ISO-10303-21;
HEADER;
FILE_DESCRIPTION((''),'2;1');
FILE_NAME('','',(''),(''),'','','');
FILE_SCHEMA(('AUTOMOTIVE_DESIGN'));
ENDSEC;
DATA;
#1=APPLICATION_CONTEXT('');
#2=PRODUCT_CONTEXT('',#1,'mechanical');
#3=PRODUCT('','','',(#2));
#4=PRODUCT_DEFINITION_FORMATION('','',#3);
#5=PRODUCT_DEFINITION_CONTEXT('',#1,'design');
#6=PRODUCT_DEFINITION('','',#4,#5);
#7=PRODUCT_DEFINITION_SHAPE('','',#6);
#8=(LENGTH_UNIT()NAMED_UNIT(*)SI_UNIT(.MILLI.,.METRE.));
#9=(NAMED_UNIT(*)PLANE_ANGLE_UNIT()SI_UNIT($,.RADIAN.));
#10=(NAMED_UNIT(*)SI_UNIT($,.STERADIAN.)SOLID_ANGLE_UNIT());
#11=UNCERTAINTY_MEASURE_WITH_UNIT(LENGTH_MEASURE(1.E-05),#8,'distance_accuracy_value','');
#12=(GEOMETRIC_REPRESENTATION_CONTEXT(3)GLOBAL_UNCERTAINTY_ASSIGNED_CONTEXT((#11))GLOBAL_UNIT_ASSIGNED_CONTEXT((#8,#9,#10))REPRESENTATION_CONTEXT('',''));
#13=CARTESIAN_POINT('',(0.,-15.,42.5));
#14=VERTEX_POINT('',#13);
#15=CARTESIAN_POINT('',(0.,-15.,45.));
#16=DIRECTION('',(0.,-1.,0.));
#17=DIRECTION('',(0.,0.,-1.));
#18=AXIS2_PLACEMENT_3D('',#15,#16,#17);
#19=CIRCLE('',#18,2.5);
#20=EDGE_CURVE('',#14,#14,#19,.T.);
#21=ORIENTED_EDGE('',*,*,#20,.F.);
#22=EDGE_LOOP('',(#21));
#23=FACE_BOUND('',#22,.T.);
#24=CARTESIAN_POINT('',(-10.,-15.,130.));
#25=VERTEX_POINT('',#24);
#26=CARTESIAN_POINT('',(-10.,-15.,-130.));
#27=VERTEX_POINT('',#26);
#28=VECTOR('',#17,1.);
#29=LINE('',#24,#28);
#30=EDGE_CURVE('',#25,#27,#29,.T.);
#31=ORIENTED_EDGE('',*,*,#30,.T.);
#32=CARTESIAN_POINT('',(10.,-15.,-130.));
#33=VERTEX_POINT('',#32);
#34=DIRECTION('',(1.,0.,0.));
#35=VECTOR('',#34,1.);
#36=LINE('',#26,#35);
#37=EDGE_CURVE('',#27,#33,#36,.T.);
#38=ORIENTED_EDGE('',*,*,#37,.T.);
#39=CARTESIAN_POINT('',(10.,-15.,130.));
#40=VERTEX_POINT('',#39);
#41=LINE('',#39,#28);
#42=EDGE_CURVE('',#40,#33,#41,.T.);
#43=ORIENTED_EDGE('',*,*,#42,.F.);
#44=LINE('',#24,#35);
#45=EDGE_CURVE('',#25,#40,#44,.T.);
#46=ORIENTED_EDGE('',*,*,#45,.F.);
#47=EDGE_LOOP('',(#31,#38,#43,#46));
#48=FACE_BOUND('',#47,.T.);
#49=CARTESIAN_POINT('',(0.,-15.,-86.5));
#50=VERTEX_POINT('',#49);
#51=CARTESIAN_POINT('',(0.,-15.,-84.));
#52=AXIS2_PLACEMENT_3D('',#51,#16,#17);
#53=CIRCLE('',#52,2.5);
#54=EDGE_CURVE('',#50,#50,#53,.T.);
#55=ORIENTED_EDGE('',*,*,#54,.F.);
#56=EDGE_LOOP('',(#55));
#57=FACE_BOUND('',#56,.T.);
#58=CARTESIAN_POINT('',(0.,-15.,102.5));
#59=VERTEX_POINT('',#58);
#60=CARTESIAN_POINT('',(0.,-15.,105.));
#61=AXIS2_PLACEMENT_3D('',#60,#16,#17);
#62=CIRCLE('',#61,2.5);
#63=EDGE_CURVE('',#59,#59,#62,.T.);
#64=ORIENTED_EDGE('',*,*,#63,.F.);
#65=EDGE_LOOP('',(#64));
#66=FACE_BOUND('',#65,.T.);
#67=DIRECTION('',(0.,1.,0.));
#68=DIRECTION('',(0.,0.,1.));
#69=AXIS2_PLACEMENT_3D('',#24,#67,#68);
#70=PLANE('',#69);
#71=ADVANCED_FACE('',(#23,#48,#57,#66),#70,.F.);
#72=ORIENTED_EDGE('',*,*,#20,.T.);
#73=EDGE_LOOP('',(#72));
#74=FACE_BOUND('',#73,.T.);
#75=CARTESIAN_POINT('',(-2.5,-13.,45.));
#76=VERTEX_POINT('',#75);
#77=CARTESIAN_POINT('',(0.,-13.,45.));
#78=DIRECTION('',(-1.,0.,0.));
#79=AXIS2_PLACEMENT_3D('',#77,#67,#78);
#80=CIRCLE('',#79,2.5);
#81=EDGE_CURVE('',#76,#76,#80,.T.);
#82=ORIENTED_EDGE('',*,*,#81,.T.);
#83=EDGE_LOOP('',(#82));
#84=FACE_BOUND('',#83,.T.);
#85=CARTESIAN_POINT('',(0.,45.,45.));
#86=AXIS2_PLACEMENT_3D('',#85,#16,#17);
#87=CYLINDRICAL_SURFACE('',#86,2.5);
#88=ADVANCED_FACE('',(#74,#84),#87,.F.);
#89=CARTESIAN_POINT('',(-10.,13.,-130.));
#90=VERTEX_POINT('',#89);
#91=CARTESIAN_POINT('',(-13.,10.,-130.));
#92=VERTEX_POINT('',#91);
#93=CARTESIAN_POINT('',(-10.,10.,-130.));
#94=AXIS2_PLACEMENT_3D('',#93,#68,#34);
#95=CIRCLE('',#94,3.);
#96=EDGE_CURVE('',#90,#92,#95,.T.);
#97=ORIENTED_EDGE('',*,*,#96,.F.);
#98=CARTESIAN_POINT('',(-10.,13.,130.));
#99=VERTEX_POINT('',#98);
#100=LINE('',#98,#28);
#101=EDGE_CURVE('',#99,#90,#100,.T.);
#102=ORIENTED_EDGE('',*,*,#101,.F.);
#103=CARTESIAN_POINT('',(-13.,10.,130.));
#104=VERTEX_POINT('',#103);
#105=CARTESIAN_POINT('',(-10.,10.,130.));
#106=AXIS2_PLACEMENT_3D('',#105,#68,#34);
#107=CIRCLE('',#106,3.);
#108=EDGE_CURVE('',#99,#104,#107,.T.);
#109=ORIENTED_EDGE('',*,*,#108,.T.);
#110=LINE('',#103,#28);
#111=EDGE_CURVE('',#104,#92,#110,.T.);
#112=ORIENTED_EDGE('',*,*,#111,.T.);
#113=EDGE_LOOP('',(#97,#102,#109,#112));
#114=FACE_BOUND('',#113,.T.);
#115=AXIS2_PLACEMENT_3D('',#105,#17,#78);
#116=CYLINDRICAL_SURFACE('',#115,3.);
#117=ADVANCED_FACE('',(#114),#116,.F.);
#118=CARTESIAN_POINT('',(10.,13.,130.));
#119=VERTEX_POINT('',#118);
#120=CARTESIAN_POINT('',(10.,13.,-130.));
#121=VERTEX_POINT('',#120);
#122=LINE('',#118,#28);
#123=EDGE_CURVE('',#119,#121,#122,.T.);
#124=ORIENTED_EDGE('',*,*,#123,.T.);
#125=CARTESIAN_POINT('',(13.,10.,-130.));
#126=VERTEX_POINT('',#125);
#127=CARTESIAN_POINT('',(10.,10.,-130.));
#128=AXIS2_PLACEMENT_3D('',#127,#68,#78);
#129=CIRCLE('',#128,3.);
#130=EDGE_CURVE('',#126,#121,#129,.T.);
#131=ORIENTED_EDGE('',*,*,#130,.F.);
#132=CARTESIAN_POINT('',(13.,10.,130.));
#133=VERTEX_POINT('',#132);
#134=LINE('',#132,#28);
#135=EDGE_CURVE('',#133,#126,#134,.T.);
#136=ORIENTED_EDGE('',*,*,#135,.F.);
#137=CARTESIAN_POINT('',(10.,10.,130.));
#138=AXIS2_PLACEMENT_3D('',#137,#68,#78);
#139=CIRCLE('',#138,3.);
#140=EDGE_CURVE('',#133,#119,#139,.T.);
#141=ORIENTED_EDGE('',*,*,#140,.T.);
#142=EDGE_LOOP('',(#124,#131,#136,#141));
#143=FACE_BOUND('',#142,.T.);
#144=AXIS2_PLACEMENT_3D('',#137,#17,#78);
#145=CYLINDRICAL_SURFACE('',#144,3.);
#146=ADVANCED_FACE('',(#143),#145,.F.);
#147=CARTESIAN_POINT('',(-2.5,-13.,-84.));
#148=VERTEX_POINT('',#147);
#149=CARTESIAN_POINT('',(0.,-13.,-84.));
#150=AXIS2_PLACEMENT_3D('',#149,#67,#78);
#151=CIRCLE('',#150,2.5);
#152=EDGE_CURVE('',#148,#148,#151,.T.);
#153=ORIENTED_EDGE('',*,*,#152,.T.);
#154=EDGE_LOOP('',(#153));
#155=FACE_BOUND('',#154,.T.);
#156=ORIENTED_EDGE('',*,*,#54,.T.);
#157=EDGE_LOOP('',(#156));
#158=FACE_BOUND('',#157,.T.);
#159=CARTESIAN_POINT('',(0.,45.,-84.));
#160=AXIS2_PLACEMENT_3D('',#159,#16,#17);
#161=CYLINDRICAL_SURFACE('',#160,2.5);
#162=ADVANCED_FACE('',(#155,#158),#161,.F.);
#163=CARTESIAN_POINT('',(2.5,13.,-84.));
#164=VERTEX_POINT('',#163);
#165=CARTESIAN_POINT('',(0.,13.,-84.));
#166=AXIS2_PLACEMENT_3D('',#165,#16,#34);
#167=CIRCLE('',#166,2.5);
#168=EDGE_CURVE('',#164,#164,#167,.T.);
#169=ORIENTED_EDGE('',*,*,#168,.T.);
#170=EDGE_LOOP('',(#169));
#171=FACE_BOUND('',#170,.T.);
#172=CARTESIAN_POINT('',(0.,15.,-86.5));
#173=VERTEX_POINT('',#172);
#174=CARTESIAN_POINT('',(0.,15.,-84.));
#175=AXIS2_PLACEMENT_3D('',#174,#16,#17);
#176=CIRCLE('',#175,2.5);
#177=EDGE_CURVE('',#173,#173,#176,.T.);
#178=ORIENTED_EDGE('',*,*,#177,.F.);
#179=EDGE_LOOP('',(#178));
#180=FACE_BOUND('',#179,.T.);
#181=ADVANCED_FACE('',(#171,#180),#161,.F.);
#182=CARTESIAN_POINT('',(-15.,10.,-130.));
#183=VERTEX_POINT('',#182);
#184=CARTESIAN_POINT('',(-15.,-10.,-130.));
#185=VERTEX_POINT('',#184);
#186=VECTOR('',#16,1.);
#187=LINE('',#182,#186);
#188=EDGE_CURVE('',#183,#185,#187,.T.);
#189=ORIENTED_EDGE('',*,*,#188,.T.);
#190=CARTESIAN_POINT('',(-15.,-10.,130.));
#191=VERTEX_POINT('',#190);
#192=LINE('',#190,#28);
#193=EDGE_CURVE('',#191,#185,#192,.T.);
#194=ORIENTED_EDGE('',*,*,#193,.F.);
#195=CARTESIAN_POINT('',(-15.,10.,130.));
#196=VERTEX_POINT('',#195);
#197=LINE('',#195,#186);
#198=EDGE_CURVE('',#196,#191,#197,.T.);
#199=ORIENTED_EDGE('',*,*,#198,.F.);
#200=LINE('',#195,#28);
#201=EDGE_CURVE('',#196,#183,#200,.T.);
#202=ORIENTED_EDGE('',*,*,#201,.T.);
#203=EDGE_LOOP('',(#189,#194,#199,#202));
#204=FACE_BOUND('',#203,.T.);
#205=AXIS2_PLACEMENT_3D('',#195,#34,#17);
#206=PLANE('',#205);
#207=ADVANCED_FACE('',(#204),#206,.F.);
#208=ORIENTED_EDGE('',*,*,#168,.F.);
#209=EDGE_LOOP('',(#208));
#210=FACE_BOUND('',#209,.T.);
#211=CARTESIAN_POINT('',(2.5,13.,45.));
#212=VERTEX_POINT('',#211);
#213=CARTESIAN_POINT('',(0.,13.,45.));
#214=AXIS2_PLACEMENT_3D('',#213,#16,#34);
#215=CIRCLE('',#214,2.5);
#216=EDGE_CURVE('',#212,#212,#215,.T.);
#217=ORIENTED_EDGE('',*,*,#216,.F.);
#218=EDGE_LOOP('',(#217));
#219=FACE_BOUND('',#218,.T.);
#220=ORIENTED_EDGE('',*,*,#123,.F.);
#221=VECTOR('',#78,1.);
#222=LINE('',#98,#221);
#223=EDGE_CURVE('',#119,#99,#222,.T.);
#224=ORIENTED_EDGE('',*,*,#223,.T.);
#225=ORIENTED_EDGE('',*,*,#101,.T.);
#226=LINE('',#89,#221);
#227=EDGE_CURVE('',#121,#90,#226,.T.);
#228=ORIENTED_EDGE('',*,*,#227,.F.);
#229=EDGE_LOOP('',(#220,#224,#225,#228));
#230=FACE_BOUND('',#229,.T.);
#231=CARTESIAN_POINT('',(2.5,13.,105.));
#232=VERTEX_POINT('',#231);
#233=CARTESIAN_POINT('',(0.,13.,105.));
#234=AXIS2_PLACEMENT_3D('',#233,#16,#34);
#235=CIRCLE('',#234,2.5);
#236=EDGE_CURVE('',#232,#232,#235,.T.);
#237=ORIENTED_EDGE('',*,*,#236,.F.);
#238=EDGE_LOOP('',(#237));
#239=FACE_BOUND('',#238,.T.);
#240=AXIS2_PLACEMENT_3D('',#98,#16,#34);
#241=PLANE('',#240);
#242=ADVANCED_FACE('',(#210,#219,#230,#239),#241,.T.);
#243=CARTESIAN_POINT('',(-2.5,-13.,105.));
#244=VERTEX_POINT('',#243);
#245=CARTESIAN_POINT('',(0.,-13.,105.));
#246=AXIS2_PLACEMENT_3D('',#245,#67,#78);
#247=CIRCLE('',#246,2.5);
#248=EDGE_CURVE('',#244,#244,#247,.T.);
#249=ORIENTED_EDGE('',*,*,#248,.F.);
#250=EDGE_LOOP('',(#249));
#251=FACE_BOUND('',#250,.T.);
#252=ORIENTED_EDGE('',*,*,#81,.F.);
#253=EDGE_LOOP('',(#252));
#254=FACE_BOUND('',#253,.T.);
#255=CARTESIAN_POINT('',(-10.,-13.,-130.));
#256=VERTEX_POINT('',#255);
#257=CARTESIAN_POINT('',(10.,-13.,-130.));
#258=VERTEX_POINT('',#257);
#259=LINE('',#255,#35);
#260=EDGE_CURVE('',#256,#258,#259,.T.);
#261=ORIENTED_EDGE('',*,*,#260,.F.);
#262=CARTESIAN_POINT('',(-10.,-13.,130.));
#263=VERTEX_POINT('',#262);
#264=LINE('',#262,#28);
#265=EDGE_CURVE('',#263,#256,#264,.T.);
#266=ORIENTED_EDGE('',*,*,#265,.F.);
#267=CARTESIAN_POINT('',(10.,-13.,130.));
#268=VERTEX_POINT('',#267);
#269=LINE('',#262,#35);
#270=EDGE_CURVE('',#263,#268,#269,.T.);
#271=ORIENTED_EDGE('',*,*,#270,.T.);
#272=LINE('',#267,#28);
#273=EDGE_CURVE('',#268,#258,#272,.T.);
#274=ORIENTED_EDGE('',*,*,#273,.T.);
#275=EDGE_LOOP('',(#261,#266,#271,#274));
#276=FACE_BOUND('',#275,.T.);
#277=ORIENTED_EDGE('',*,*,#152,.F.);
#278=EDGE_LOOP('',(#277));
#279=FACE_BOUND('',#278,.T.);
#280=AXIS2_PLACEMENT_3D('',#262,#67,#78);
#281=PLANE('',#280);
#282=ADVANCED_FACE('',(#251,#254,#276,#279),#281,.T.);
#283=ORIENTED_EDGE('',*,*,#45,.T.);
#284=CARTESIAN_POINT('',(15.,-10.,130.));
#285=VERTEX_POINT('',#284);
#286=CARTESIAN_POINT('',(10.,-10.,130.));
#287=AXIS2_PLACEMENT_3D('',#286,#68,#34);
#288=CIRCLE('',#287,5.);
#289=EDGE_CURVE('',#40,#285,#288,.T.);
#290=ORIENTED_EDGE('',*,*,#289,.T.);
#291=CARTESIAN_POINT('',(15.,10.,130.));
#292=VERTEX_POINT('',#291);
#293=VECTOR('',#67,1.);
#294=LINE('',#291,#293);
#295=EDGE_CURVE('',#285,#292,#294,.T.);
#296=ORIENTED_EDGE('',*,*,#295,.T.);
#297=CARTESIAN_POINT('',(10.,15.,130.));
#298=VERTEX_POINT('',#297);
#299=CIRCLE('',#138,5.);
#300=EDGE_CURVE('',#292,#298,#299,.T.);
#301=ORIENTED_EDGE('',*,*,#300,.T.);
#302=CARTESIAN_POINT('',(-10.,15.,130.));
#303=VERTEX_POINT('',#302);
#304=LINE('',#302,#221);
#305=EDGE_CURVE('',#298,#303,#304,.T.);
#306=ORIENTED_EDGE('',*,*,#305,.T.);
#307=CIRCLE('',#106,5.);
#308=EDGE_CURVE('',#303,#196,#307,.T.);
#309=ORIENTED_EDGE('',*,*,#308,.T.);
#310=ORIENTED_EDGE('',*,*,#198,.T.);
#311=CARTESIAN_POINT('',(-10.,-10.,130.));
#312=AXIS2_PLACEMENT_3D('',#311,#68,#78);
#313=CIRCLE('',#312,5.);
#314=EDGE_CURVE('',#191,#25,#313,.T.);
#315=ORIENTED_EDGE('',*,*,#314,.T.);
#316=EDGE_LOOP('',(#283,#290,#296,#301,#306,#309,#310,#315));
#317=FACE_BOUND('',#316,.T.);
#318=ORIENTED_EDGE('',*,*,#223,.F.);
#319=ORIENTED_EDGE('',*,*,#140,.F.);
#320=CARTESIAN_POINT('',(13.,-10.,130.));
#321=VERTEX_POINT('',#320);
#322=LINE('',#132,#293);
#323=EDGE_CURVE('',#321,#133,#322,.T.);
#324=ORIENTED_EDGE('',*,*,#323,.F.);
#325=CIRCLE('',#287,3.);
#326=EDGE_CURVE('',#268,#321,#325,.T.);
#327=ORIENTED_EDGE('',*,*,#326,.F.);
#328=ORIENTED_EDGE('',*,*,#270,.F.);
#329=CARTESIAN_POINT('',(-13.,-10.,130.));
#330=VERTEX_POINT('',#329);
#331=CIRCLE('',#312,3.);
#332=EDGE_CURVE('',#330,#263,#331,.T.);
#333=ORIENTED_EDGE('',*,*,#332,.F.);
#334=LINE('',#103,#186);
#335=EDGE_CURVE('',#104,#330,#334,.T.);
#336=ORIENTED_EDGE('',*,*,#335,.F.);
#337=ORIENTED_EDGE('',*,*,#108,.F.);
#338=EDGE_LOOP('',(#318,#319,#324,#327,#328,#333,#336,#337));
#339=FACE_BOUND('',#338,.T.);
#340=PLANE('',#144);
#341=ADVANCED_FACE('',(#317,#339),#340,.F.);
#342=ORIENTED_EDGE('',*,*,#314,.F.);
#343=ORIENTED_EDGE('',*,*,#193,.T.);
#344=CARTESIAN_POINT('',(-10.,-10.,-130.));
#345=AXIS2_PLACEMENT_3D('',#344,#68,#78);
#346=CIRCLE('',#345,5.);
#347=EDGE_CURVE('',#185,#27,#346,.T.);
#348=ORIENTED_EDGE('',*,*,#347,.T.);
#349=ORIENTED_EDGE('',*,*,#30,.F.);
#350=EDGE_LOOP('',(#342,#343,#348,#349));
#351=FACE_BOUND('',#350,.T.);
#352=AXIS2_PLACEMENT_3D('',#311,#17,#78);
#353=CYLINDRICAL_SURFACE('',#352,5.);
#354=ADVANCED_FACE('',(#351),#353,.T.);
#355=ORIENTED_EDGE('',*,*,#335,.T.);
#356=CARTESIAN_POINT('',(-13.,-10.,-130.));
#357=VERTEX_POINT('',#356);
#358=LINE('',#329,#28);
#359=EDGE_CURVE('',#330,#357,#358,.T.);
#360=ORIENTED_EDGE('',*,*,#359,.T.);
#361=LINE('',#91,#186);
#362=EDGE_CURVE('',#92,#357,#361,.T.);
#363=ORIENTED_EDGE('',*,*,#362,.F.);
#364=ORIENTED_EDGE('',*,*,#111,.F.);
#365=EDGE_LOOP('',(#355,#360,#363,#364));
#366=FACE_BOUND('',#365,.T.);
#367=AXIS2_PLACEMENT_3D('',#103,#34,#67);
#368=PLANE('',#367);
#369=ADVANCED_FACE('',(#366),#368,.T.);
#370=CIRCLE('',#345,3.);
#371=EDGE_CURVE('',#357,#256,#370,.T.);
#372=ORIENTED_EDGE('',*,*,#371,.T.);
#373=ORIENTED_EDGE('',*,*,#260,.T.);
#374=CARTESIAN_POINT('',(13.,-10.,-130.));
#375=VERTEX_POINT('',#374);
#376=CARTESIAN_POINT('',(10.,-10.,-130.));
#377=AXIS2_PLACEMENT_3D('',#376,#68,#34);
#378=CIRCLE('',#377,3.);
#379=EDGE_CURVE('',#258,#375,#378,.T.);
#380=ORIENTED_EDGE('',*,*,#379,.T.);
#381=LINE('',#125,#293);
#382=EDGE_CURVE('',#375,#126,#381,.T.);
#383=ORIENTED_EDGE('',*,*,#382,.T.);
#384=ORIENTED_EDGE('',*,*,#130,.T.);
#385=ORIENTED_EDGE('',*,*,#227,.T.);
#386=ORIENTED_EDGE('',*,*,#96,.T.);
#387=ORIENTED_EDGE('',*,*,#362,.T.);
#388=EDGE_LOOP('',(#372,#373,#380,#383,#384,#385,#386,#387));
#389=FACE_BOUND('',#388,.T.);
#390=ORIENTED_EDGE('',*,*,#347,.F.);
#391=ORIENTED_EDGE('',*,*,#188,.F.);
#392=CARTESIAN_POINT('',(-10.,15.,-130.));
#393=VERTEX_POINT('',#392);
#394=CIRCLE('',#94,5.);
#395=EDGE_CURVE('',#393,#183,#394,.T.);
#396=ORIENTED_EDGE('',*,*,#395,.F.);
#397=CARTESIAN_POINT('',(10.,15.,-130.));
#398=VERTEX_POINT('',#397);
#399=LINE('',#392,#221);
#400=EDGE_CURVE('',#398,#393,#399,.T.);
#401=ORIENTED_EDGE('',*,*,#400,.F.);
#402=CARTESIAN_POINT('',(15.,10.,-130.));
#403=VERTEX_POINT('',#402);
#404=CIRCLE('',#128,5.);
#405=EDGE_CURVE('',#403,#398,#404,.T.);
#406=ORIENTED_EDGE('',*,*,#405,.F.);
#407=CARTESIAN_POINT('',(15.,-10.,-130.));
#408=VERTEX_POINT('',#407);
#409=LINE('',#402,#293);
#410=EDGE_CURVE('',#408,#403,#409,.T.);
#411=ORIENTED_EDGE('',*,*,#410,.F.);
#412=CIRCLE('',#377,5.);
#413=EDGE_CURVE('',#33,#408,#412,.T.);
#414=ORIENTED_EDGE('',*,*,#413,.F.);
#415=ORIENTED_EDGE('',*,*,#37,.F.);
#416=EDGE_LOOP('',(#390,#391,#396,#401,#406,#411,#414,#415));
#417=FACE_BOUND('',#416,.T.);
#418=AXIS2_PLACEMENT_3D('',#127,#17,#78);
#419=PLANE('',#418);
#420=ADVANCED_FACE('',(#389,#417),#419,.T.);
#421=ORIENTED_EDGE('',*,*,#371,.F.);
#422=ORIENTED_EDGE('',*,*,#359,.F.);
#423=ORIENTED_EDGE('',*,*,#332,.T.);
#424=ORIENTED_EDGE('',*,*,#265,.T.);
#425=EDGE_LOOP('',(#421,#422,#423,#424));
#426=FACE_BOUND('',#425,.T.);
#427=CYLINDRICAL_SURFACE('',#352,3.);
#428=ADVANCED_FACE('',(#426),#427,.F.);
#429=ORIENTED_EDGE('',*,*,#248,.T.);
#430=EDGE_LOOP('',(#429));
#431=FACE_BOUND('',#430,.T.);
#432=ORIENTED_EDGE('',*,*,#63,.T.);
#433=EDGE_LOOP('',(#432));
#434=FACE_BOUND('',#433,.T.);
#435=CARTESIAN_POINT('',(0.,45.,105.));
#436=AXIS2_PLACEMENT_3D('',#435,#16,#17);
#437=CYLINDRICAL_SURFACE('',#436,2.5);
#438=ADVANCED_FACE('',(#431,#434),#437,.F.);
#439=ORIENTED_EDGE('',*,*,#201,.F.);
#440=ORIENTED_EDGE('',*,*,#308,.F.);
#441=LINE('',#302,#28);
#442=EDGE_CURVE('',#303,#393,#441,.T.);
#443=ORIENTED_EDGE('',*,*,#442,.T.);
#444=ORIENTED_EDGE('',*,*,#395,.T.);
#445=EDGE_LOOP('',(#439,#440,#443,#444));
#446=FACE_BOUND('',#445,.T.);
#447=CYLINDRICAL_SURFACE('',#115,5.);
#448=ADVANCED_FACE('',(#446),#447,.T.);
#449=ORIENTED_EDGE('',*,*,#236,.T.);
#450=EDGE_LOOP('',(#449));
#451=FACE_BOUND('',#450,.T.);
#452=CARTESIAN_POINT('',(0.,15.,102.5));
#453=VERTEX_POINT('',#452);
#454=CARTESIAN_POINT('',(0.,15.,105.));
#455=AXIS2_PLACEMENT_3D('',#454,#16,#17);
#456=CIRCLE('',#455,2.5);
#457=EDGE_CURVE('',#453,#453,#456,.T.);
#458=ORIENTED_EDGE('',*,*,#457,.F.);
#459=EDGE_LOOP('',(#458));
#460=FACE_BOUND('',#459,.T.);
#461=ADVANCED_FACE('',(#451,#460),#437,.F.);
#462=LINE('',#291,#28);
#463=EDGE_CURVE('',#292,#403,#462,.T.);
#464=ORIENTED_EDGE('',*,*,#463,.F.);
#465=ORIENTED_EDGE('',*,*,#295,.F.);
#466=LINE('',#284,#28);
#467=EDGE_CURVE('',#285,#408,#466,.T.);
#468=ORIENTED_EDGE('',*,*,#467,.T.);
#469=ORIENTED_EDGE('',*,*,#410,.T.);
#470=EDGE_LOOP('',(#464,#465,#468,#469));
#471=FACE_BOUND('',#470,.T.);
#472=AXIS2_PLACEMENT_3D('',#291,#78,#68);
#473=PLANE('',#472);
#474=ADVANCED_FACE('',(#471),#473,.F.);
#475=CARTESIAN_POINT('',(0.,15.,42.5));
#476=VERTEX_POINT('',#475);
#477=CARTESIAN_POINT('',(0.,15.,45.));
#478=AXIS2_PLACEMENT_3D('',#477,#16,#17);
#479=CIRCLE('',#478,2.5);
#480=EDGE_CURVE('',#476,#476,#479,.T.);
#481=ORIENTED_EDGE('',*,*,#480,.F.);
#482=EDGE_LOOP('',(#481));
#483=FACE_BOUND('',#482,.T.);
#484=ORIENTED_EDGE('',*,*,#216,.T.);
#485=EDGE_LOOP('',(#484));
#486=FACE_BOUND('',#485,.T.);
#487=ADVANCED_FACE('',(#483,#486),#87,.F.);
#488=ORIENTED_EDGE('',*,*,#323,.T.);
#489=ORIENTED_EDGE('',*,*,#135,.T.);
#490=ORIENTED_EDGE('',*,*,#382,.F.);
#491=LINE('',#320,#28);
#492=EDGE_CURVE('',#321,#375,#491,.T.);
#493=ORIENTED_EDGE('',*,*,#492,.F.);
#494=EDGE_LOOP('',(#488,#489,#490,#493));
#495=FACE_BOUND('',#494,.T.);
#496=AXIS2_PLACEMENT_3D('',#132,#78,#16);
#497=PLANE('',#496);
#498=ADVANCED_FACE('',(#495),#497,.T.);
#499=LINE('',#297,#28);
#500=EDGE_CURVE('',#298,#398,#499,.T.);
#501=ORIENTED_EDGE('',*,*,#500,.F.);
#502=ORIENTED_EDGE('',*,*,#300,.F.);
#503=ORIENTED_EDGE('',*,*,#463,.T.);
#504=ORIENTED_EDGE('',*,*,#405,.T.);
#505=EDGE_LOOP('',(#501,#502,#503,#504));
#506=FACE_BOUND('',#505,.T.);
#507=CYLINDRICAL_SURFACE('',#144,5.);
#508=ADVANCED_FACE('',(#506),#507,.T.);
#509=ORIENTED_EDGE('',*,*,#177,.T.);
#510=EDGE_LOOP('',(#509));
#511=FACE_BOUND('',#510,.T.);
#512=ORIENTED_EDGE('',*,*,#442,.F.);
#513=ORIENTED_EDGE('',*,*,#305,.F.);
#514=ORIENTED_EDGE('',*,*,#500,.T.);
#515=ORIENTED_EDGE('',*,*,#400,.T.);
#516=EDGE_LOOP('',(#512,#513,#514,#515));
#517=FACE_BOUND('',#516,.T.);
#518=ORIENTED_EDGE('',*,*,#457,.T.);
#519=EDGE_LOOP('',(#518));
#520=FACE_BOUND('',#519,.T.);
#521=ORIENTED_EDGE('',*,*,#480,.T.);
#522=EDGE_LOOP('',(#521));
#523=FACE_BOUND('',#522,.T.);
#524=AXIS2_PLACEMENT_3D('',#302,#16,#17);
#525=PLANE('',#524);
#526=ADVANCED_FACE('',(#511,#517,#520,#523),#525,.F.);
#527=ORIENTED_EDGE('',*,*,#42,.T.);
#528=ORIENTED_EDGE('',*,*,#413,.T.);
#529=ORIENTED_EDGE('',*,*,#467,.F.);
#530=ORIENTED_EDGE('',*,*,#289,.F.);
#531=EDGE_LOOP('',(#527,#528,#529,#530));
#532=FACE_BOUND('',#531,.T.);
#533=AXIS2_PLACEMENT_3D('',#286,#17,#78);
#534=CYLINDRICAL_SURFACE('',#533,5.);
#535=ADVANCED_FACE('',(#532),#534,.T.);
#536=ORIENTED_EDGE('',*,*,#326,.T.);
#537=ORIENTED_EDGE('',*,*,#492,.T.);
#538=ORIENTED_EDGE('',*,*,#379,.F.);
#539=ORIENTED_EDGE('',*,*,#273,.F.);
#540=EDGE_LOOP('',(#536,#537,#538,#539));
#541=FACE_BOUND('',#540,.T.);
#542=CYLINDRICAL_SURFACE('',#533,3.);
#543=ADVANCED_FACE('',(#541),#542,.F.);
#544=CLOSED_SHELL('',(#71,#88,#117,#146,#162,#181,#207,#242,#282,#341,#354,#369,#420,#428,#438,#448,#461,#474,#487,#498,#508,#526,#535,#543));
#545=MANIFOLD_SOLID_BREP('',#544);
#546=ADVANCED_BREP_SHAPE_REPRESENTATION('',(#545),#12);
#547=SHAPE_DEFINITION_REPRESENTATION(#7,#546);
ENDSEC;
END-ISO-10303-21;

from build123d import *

# Parameters (mm, degrees)
AUFSATZ_LINEAR_AUSTRAGEN1_DEPTH = 130
SKIZZE2_R                       = 2.5
SCHNITT_LINEAR_AUSTRAGEN1_DEPTH = 60


with BuildPart() as part:
    # Skizze1 → Aufsatz-Linear austragen1 (new, symmetric)
    with BuildSketch(Plane.XY):
        with BuildLine():
            Line((-10, 15), (10, 15))
            ThreePointArc((10, 15), (13.535533906, 13.535533906), (15, 10))
            Line((15, 10), (15, -10))
            ThreePointArc((15, -10), (13.535533906, -13.535533906), (10, -15))
            Line((10, -15), (-10, -15))
            ThreePointArc((-10, -15), (-13.535533906, -13.535533906), (-15, -10))
            Line((-15, -10), (-15, 10))
            ThreePointArc((-15, 10), (-13.535533906, 13.535533906), (-10, 15))
        make_face()
        with BuildLine():
            Line((-13, 10), (-13, -10))
            ThreePointArc((-13, -10), (-12.121320344, -12.121320344), (-10, -13))
            Line((-10, -13), (10, -13))
            ThreePointArc((10, -13), (12.121320344, -12.121320344), (13, -10))
            Line((13, -10), (13, 10))
            ThreePointArc((13, 10), (12.121320344, 12.121320344), (10, 13))
            Line((10, 13), (-10, 13))
            ThreePointArc((-10, 13), (-12.121320344, 12.121320344), (-13, 10))
        make_face(mode=Mode.SUBTRACT)
    extrude(amount=AUFSATZ_LINEAR_AUSTRAGEN1_DEPTH, both=True)

    # Skizze2 → Schnitt-Linear austragen1 (cut)
    with BuildSketch(Plane.XZ.offset(15)):
        with Locations(Location((0, -84, 0), (0, 0, 270))):
            Circle(SKIZZE2_R)
        with Locations(Location((0, 105, 0), (0, 0, 270))):
            Circle(SKIZZE2_R)
        with Locations(Location((0, 45, 0), (0, 0, 270))):
            Circle(SKIZZE2_R)
    extrude(amount=-SCHNITT_LINEAR_AUSTRAGEN1_DEPTH, mode=Mode.SUBTRACT)


solid = part.part
